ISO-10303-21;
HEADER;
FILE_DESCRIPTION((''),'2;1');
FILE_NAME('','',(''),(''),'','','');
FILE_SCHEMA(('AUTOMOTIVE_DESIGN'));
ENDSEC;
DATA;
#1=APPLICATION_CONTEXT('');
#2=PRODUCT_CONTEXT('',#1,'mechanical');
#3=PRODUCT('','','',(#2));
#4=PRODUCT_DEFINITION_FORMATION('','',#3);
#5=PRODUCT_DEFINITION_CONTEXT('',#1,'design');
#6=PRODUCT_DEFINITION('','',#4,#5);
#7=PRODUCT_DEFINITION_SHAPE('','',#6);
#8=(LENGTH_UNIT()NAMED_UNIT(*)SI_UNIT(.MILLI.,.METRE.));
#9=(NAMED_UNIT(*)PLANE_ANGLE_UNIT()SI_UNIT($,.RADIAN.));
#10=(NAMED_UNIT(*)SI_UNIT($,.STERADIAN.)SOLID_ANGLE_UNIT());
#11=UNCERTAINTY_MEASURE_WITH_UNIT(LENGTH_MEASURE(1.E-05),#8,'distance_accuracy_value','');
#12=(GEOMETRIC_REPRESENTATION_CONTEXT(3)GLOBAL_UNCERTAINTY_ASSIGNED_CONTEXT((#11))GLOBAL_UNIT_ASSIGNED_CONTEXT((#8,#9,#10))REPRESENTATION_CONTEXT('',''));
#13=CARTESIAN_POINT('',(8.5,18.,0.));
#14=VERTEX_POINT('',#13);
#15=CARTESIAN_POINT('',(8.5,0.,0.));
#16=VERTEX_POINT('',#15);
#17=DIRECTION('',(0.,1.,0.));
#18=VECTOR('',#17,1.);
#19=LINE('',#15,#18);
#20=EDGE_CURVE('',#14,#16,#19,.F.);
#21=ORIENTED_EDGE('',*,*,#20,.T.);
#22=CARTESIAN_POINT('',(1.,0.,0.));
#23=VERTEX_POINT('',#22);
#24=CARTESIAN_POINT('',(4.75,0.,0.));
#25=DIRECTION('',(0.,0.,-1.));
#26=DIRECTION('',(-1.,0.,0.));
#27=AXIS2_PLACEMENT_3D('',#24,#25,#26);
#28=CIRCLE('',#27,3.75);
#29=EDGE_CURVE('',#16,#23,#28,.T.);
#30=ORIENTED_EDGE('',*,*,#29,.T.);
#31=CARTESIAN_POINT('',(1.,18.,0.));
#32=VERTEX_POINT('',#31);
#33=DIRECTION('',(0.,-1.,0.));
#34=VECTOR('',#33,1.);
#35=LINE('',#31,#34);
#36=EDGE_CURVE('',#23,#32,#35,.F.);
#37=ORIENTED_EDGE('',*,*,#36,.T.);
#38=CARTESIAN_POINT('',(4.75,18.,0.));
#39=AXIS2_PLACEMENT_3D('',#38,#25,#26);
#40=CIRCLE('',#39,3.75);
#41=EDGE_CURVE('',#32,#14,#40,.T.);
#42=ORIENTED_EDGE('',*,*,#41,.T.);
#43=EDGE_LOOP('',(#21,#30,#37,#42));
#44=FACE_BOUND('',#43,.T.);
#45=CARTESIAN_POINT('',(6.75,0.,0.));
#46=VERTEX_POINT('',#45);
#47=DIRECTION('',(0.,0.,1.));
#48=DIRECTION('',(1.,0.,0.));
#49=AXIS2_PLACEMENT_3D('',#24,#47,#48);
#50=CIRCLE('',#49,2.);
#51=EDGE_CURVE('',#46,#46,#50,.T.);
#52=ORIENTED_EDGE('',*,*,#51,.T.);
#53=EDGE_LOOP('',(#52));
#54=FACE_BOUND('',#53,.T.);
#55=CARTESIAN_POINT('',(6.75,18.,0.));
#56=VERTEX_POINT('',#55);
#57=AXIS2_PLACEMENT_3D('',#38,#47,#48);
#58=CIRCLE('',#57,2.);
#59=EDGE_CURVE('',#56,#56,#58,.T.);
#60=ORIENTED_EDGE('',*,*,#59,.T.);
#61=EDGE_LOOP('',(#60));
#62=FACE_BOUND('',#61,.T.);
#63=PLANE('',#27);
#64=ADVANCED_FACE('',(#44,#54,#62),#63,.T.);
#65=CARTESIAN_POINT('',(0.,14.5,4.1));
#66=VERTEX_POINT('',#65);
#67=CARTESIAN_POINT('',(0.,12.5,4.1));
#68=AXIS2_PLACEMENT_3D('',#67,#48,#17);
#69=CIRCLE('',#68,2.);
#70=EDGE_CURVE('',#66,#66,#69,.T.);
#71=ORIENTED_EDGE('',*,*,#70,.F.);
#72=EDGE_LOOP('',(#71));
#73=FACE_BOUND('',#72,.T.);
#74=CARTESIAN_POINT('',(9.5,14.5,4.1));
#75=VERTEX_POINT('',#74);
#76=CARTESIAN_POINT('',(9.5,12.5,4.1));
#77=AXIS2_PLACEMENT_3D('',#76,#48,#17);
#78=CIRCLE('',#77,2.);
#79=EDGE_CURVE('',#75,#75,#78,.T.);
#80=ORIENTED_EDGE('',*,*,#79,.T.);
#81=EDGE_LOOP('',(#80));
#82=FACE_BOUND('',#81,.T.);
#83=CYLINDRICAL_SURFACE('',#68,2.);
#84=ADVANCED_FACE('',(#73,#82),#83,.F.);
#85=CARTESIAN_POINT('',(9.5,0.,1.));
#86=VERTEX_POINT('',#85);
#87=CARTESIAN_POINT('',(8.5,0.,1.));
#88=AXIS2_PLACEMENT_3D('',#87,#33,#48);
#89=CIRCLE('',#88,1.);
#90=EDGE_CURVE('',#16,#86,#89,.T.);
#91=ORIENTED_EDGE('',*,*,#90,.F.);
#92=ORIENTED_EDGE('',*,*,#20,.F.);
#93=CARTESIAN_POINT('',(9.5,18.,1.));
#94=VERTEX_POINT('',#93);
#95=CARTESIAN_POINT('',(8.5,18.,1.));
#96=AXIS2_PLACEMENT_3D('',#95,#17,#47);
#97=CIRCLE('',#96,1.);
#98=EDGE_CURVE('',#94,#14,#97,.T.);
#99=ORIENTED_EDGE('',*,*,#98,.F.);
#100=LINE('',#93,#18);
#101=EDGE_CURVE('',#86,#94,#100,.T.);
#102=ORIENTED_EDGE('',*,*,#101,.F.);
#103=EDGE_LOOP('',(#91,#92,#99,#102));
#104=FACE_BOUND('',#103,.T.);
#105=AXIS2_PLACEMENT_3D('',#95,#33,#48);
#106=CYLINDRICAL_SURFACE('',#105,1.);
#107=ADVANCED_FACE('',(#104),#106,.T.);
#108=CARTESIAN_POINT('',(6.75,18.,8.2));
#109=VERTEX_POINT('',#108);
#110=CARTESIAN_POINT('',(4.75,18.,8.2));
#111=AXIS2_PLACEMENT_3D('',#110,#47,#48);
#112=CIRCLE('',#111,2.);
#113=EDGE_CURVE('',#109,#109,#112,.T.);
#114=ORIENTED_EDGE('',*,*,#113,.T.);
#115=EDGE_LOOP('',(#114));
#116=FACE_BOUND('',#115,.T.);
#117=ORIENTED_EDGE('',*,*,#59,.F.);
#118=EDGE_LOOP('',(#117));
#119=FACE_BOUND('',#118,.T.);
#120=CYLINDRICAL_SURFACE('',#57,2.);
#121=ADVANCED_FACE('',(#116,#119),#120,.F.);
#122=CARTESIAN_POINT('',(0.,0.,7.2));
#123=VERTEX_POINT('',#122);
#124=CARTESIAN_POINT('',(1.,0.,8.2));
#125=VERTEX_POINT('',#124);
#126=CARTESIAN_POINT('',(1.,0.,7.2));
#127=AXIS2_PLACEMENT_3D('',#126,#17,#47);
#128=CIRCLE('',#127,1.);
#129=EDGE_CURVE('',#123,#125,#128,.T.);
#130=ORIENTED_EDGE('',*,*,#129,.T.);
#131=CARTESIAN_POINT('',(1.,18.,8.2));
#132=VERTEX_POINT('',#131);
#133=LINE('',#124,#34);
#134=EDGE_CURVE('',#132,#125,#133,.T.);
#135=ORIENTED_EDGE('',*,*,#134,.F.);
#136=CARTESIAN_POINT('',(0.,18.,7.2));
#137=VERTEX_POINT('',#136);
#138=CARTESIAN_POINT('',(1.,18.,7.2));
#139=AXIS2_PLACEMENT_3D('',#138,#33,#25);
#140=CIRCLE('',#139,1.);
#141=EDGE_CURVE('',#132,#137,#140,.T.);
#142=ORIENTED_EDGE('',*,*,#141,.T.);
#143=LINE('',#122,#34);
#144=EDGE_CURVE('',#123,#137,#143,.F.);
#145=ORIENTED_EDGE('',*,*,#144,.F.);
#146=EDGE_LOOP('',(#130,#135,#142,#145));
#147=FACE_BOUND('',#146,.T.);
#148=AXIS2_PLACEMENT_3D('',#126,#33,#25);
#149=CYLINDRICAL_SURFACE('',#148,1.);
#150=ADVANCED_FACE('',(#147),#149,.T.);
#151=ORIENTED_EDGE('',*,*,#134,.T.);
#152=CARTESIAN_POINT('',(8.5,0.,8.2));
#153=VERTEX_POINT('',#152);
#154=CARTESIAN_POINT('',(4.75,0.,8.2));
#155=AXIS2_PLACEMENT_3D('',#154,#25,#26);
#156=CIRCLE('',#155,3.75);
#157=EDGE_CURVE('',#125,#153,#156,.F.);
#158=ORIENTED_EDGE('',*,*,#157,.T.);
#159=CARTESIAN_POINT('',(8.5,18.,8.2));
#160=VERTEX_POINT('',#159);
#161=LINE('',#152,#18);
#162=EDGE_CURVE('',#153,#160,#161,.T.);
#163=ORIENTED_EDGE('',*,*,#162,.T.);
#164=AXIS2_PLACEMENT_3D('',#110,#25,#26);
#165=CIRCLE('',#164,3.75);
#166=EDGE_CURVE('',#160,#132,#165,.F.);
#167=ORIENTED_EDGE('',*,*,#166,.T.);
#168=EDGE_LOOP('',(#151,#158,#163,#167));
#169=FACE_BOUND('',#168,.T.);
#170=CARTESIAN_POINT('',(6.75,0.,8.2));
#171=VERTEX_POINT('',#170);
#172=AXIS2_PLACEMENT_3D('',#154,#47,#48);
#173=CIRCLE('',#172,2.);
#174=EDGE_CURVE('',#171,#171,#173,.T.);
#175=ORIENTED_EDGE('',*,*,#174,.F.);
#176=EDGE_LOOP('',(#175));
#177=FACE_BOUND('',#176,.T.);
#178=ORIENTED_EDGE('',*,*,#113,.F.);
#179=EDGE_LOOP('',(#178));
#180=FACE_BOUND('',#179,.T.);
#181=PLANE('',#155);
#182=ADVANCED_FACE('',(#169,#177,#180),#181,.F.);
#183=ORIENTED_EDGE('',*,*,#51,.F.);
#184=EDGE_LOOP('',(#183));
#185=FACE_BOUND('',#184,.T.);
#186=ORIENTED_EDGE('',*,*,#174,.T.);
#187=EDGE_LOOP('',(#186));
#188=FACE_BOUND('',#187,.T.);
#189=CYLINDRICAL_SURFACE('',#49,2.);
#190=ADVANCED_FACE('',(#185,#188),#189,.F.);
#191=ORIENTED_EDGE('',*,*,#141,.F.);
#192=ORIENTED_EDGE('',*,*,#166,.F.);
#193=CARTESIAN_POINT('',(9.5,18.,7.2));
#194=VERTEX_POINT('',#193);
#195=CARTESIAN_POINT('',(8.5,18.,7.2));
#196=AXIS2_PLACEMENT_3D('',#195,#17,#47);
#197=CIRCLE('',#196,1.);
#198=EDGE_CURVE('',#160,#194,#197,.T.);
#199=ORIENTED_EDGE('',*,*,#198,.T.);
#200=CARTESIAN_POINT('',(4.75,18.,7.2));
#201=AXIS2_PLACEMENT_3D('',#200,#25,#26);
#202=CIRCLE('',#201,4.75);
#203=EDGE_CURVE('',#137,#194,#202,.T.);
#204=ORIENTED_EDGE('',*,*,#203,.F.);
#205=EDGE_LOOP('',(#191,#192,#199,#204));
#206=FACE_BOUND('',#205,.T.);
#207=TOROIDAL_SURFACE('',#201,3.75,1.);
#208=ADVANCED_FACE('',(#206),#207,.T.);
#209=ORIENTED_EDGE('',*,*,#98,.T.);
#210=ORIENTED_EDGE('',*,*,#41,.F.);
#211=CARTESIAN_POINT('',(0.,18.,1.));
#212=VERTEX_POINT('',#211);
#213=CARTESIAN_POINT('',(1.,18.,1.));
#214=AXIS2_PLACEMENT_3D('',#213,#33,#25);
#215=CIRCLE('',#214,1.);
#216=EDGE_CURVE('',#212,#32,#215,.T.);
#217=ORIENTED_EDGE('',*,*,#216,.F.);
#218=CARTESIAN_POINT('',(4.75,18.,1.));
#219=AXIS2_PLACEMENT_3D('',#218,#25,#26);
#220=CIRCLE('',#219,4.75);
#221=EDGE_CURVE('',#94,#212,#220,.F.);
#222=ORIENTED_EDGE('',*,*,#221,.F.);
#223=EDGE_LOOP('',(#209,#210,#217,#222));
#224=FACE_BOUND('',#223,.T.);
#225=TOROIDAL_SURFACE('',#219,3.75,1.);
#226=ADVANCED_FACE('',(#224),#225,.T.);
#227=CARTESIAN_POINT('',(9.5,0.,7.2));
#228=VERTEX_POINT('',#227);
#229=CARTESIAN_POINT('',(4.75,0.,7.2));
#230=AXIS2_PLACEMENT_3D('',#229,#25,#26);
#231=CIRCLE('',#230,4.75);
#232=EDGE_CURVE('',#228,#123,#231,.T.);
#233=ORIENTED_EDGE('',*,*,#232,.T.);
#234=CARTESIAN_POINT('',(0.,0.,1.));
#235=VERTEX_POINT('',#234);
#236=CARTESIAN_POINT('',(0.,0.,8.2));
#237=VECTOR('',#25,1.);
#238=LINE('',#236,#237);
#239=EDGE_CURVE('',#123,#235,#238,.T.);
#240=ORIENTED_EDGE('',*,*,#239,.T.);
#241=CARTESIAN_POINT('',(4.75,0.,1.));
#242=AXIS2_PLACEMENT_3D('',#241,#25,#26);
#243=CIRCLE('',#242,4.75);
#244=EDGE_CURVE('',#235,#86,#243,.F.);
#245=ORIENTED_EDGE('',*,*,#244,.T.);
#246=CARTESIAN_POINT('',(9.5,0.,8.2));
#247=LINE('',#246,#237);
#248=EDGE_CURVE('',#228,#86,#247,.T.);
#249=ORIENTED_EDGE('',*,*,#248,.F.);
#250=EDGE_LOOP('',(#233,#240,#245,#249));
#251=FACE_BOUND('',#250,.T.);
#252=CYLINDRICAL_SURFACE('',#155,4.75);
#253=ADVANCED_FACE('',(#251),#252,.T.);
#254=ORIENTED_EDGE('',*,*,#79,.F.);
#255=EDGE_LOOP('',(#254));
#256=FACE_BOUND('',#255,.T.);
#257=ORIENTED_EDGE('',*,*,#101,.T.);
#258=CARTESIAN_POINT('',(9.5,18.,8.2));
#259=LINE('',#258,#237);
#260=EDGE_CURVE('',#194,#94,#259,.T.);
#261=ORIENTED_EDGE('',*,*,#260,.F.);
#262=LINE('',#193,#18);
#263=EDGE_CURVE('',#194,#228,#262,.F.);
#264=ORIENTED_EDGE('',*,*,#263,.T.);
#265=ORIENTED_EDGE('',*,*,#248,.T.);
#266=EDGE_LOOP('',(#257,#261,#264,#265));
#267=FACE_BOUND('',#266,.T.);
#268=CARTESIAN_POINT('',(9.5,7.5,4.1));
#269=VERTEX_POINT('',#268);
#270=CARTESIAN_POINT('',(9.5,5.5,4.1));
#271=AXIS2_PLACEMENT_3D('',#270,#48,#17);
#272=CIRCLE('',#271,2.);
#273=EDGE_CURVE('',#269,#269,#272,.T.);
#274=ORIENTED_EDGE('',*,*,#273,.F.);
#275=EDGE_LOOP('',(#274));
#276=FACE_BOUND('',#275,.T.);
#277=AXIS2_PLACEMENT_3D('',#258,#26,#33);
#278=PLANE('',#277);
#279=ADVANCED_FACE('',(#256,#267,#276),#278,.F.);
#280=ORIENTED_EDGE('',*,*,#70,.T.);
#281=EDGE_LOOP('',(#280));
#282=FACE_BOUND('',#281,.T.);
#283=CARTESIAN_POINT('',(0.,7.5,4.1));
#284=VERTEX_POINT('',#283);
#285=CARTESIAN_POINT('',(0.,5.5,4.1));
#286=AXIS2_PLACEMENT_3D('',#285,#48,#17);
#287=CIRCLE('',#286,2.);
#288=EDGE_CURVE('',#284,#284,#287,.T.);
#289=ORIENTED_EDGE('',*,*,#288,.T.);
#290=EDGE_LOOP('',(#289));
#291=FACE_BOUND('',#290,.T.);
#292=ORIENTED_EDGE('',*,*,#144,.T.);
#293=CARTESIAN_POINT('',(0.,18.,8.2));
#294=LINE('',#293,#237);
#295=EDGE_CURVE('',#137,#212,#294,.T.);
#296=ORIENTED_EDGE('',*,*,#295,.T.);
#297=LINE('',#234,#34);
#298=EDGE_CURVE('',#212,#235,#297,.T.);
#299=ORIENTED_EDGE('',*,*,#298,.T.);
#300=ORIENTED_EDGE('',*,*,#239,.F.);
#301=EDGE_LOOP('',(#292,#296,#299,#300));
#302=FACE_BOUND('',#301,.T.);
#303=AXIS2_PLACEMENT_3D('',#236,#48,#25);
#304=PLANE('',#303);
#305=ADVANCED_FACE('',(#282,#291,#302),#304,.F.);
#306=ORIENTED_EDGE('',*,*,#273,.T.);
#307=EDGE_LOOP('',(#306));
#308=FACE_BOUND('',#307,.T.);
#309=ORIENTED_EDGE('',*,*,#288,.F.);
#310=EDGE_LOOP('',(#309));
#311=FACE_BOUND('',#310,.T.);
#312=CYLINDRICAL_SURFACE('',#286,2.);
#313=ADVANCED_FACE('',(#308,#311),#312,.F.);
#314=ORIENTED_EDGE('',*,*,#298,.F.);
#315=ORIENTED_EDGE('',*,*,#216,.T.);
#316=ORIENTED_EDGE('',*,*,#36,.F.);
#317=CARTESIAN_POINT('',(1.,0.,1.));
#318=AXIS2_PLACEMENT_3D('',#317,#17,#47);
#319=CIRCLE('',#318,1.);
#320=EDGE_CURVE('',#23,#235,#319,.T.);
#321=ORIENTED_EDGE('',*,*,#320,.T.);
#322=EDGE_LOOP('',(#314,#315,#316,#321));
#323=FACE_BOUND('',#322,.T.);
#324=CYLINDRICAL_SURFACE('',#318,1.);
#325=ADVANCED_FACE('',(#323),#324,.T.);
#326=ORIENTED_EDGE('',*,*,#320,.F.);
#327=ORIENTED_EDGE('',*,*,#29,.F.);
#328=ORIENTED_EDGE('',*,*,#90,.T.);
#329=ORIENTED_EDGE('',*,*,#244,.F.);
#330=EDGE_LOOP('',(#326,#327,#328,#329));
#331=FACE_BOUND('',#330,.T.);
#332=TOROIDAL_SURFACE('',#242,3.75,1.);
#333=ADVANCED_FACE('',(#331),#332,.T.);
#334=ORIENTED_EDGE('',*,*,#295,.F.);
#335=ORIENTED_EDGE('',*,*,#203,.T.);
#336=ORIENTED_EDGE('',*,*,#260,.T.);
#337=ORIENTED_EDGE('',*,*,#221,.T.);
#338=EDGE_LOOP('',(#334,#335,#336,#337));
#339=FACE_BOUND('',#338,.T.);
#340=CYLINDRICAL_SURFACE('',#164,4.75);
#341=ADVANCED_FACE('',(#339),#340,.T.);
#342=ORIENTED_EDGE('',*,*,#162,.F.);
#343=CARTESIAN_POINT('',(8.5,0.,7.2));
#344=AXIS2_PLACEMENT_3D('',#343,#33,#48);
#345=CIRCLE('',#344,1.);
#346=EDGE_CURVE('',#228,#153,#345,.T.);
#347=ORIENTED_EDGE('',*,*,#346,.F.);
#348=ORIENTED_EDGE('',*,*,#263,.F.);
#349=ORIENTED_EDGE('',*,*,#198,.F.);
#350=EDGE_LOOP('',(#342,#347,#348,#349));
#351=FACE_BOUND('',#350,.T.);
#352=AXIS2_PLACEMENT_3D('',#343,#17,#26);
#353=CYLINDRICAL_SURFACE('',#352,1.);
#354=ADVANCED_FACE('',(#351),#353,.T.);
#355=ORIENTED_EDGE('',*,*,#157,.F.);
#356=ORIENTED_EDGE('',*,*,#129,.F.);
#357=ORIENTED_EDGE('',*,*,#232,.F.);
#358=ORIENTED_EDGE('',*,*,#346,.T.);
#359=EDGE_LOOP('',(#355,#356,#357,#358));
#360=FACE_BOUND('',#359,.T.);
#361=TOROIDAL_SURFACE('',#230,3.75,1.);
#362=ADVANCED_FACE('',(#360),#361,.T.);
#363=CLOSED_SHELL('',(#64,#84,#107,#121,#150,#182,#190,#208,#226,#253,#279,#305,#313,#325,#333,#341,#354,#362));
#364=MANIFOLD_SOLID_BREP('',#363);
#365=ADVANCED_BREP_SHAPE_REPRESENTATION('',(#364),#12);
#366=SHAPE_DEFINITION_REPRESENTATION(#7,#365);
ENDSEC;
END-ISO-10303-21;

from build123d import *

# Parameters (mm, degrees)
BASE_EXTRUSION_DEPTH    = 8.2
ESQUISSE2_R             = 2
ENL_V_MAT_EXTRU_1_DEPTH = 26.981772457
CONG_1_R                = 1
CONG_2_R                = 1
ESQUISSE3_R             = 2
ENL_V_MAT_EXTRU_2_DEPTH = 26.981772457


with BuildPart() as part:
    # Esquisse1 → Base-Extrusion (new body)
    with BuildSketch(Plane.XY):
        with BuildLine():
            Line((0, 0), (0, 18))
            ThreePointArc((0, 18), (4.75, 22.75), (9.5, 18))
            Line((9.5, 18), (9.5, 0))
            ThreePointArc((9.5, 0), (4.75, -4.75), (0, 0))
        make_face()
    extrude(amount=BASE_EXTRUSION_DEPTH)

    # Esquisse2 → Enlèv. mat.-Extru.1 (cut, through all)
    with BuildSketch(Plane.XY.offset(8.2)):
        with Locations((4.75, 18)):
            Circle(ESQUISSE2_R)
        with Locations((4.75, 0)):
            Circle(ESQUISSE2_R)
    extrude(amount=-ENL_V_MAT_EXTRU_1_DEPTH, mode=Mode.SUBTRACT)

    # Congé1
    cong_1_edges = [part.edges().sort_by_distance(p)[0] for p in [
        (4.75, 22.75, 8.2),
        (0, 9, 8.2),
        (4.75, -4.75, 8.2),
        (9.5, 9, 8.2),
    ]]
    fillet(cong_1_edges, radius=CONG_1_R)

    # Congé2
    cong_2_edges = [part.edges().sort_by_distance(p)[0] for p in [
        (0, 9, 0),
        (4.75, 22.75, 0),
        (9.5, 9, 0),
        (4.75, -4.75, 0),
    ]]
    fillet(cong_2_edges, radius=CONG_2_R)

    # Esquisse3 → Enlèv. mat.-Extru.2 (cut, through all)
    with BuildSketch(Plane(origin=(9.5, 0, 0), x_dir=(0, 0, -1), z_dir=(1, 0, 0))):
        with Locations(Location((-4.1, 12.5, 0), (0, 0, 90))):
            Circle(ESQUISSE3_R)
        with Locations(Location((-4.1, 5.5, 0), (0, 0, 90))):
            Circle(ESQUISSE3_R)
    extrude(amount=-ENL_V_MAT_EXTRU_2_DEPTH, mode=Mode.SUBTRACT)


solid = part.part
